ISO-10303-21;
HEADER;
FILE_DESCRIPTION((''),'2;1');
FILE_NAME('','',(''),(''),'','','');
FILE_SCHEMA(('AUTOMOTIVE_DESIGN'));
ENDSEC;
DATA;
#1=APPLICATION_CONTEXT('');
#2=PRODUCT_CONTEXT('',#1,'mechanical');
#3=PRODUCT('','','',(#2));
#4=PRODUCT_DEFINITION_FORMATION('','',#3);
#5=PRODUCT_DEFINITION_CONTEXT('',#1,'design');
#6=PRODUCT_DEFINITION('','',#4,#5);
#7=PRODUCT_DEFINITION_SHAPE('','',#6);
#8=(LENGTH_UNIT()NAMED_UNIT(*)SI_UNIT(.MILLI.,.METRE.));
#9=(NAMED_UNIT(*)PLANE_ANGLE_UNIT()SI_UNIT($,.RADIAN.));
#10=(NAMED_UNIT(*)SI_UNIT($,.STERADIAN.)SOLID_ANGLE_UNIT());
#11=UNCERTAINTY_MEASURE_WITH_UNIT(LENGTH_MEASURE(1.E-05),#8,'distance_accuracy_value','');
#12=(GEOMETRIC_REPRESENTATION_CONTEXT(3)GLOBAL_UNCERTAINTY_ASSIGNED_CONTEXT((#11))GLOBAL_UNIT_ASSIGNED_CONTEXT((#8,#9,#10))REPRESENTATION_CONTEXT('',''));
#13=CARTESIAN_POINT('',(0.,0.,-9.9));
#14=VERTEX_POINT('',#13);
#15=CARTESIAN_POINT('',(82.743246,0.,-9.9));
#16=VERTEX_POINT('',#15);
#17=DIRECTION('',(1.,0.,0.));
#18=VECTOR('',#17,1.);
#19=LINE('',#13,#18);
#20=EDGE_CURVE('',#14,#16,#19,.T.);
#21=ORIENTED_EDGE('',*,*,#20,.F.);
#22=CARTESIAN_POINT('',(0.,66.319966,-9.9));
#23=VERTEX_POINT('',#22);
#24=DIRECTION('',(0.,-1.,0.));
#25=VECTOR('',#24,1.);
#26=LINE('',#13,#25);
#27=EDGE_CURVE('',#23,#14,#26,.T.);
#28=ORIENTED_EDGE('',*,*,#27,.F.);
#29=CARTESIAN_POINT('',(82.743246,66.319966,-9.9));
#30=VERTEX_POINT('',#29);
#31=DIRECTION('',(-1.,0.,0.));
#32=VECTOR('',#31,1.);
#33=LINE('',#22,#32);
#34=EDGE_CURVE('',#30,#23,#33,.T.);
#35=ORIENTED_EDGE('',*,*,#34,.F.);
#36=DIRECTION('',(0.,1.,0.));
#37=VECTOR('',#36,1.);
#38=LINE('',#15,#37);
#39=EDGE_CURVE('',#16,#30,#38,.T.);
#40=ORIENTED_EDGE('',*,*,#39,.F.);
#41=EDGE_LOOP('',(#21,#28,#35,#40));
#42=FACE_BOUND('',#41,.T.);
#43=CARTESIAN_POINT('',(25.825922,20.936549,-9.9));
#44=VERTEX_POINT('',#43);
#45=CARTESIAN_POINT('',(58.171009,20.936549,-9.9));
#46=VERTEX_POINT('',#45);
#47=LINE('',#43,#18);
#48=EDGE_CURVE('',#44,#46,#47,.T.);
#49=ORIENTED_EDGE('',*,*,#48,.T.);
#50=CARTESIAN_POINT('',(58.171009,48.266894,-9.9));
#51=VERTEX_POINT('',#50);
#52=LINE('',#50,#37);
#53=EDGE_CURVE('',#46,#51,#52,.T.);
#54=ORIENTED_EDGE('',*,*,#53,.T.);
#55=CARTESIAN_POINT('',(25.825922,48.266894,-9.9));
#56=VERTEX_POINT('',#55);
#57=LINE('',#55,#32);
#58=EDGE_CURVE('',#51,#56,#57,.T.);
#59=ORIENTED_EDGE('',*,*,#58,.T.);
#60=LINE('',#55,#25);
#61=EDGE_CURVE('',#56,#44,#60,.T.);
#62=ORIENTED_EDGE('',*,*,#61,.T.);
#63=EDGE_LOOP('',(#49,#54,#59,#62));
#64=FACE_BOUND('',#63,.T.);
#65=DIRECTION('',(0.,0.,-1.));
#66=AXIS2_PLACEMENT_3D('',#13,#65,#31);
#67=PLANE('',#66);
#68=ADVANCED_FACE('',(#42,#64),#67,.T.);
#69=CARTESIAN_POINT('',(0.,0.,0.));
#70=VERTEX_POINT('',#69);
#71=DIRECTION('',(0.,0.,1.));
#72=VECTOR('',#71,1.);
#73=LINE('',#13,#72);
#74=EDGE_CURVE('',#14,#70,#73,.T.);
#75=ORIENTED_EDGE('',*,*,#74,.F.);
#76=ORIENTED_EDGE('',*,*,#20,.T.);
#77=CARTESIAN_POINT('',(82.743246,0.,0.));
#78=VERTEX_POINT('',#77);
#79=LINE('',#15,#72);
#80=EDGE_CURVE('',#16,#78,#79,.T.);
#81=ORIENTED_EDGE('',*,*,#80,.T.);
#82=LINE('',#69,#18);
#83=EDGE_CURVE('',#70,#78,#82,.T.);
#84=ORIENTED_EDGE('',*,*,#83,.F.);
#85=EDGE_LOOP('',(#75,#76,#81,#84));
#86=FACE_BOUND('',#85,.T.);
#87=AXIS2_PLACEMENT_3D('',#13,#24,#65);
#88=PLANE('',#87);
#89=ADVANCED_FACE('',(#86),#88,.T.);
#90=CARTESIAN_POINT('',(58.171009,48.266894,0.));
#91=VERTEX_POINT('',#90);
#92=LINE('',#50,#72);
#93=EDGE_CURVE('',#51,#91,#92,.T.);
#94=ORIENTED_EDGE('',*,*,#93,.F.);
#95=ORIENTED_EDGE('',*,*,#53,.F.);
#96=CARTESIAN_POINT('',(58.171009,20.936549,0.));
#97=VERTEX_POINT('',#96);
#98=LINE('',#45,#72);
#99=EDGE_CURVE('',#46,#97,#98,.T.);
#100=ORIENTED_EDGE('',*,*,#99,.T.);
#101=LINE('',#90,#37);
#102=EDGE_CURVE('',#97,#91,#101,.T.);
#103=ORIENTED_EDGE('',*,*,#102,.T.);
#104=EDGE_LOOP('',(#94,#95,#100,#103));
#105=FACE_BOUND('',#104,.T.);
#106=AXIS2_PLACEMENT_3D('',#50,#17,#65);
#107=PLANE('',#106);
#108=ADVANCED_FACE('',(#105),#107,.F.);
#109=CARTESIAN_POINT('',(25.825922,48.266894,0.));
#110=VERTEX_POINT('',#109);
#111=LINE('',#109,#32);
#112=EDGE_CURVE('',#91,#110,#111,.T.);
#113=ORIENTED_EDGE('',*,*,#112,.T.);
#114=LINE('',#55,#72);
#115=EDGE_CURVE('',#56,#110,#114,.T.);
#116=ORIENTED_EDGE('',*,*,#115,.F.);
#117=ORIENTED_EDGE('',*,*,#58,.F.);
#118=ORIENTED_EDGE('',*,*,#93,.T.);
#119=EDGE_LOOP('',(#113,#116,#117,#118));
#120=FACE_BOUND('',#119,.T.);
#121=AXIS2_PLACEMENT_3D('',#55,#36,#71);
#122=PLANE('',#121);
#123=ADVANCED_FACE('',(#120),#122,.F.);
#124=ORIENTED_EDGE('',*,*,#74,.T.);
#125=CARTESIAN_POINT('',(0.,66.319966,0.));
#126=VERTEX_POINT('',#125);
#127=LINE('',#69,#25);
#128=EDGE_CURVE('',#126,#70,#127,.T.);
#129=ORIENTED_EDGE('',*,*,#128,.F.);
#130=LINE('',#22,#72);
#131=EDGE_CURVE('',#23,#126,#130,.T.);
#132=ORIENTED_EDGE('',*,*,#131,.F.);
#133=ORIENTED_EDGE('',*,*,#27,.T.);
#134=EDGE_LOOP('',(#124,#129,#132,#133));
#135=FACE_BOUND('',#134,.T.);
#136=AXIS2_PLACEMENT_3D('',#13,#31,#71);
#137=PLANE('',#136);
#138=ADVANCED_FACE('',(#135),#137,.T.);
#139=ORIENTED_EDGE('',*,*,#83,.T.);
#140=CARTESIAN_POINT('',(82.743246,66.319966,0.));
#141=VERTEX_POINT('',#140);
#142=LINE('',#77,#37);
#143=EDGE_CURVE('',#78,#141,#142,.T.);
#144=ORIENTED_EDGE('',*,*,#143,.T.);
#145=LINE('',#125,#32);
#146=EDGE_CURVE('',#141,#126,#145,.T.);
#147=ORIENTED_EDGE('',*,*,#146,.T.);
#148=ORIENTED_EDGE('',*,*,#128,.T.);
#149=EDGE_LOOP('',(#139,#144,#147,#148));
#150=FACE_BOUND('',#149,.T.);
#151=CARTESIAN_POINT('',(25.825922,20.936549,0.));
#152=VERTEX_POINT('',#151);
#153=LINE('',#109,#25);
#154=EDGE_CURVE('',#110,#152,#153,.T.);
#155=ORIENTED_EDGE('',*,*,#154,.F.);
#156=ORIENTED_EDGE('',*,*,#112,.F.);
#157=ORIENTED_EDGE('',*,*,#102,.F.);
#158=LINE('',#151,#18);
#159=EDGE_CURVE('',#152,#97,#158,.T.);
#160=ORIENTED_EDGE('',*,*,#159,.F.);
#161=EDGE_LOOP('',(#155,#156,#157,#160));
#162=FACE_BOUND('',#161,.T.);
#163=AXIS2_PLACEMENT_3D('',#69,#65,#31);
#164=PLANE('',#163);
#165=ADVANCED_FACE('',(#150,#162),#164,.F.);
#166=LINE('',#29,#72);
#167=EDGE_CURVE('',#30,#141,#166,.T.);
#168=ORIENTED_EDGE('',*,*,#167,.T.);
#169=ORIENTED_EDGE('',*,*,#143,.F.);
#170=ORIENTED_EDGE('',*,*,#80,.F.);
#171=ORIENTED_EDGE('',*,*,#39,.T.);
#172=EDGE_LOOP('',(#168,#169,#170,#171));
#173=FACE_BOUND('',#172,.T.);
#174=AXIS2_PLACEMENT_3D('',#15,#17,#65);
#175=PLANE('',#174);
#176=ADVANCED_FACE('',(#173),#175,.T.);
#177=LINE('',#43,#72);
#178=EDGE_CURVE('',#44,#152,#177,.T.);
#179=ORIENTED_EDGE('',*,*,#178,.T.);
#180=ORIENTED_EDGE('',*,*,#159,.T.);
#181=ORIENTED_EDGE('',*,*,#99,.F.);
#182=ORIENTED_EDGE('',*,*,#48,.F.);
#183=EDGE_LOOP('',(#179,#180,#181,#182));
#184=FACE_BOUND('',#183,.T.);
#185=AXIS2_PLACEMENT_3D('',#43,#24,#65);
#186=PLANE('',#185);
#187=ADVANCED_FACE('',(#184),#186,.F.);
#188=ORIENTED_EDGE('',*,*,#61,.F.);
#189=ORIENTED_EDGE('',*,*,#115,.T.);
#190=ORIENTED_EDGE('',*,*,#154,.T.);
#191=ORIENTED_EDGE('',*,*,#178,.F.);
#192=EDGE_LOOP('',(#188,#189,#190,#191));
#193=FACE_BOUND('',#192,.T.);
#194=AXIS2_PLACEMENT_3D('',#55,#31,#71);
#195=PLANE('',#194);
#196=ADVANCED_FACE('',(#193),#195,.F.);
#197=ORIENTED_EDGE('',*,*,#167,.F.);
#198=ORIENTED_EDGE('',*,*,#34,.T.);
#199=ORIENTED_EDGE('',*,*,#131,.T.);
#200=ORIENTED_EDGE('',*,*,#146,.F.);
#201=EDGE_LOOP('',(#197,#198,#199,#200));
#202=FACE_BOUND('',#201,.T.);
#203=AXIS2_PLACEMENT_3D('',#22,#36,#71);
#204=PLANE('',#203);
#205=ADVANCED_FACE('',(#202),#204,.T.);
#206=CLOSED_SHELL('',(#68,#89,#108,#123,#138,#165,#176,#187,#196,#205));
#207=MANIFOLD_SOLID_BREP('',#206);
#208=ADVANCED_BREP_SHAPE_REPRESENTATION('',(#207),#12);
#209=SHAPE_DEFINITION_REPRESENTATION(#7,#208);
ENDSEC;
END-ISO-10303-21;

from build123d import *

# Parameters (mm, degrees)
SKIZZE1_W                       = 82.743246227
SKIZZE1_H                       = 66.319965537
SKIZZE1_W_2                     = 32.345087162
SKIZZE1_H_2                     = 27.330344966
AUFSATZ_LINEAR_AUSTRAGEN1_DEPTH = 9.9


with BuildPart() as part:
    # Skizze1 → Aufsatz-Linear austragen1 (new body)
    with BuildSketch(Plane.XY):
        with Locations((41.371623114, 33.159982769)):
            Rectangle(SKIZZE1_W, SKIZZE1_H)
        with Locations((41.998465888, 34.60172115)):
            Rectangle(SKIZZE1_W_2, SKIZZE1_H_2, mode=Mode.SUBTRACT)
    extrude(amount=-AUFSATZ_LINEAR_AUSTRAGEN1_DEPTH)


solid = part.part
